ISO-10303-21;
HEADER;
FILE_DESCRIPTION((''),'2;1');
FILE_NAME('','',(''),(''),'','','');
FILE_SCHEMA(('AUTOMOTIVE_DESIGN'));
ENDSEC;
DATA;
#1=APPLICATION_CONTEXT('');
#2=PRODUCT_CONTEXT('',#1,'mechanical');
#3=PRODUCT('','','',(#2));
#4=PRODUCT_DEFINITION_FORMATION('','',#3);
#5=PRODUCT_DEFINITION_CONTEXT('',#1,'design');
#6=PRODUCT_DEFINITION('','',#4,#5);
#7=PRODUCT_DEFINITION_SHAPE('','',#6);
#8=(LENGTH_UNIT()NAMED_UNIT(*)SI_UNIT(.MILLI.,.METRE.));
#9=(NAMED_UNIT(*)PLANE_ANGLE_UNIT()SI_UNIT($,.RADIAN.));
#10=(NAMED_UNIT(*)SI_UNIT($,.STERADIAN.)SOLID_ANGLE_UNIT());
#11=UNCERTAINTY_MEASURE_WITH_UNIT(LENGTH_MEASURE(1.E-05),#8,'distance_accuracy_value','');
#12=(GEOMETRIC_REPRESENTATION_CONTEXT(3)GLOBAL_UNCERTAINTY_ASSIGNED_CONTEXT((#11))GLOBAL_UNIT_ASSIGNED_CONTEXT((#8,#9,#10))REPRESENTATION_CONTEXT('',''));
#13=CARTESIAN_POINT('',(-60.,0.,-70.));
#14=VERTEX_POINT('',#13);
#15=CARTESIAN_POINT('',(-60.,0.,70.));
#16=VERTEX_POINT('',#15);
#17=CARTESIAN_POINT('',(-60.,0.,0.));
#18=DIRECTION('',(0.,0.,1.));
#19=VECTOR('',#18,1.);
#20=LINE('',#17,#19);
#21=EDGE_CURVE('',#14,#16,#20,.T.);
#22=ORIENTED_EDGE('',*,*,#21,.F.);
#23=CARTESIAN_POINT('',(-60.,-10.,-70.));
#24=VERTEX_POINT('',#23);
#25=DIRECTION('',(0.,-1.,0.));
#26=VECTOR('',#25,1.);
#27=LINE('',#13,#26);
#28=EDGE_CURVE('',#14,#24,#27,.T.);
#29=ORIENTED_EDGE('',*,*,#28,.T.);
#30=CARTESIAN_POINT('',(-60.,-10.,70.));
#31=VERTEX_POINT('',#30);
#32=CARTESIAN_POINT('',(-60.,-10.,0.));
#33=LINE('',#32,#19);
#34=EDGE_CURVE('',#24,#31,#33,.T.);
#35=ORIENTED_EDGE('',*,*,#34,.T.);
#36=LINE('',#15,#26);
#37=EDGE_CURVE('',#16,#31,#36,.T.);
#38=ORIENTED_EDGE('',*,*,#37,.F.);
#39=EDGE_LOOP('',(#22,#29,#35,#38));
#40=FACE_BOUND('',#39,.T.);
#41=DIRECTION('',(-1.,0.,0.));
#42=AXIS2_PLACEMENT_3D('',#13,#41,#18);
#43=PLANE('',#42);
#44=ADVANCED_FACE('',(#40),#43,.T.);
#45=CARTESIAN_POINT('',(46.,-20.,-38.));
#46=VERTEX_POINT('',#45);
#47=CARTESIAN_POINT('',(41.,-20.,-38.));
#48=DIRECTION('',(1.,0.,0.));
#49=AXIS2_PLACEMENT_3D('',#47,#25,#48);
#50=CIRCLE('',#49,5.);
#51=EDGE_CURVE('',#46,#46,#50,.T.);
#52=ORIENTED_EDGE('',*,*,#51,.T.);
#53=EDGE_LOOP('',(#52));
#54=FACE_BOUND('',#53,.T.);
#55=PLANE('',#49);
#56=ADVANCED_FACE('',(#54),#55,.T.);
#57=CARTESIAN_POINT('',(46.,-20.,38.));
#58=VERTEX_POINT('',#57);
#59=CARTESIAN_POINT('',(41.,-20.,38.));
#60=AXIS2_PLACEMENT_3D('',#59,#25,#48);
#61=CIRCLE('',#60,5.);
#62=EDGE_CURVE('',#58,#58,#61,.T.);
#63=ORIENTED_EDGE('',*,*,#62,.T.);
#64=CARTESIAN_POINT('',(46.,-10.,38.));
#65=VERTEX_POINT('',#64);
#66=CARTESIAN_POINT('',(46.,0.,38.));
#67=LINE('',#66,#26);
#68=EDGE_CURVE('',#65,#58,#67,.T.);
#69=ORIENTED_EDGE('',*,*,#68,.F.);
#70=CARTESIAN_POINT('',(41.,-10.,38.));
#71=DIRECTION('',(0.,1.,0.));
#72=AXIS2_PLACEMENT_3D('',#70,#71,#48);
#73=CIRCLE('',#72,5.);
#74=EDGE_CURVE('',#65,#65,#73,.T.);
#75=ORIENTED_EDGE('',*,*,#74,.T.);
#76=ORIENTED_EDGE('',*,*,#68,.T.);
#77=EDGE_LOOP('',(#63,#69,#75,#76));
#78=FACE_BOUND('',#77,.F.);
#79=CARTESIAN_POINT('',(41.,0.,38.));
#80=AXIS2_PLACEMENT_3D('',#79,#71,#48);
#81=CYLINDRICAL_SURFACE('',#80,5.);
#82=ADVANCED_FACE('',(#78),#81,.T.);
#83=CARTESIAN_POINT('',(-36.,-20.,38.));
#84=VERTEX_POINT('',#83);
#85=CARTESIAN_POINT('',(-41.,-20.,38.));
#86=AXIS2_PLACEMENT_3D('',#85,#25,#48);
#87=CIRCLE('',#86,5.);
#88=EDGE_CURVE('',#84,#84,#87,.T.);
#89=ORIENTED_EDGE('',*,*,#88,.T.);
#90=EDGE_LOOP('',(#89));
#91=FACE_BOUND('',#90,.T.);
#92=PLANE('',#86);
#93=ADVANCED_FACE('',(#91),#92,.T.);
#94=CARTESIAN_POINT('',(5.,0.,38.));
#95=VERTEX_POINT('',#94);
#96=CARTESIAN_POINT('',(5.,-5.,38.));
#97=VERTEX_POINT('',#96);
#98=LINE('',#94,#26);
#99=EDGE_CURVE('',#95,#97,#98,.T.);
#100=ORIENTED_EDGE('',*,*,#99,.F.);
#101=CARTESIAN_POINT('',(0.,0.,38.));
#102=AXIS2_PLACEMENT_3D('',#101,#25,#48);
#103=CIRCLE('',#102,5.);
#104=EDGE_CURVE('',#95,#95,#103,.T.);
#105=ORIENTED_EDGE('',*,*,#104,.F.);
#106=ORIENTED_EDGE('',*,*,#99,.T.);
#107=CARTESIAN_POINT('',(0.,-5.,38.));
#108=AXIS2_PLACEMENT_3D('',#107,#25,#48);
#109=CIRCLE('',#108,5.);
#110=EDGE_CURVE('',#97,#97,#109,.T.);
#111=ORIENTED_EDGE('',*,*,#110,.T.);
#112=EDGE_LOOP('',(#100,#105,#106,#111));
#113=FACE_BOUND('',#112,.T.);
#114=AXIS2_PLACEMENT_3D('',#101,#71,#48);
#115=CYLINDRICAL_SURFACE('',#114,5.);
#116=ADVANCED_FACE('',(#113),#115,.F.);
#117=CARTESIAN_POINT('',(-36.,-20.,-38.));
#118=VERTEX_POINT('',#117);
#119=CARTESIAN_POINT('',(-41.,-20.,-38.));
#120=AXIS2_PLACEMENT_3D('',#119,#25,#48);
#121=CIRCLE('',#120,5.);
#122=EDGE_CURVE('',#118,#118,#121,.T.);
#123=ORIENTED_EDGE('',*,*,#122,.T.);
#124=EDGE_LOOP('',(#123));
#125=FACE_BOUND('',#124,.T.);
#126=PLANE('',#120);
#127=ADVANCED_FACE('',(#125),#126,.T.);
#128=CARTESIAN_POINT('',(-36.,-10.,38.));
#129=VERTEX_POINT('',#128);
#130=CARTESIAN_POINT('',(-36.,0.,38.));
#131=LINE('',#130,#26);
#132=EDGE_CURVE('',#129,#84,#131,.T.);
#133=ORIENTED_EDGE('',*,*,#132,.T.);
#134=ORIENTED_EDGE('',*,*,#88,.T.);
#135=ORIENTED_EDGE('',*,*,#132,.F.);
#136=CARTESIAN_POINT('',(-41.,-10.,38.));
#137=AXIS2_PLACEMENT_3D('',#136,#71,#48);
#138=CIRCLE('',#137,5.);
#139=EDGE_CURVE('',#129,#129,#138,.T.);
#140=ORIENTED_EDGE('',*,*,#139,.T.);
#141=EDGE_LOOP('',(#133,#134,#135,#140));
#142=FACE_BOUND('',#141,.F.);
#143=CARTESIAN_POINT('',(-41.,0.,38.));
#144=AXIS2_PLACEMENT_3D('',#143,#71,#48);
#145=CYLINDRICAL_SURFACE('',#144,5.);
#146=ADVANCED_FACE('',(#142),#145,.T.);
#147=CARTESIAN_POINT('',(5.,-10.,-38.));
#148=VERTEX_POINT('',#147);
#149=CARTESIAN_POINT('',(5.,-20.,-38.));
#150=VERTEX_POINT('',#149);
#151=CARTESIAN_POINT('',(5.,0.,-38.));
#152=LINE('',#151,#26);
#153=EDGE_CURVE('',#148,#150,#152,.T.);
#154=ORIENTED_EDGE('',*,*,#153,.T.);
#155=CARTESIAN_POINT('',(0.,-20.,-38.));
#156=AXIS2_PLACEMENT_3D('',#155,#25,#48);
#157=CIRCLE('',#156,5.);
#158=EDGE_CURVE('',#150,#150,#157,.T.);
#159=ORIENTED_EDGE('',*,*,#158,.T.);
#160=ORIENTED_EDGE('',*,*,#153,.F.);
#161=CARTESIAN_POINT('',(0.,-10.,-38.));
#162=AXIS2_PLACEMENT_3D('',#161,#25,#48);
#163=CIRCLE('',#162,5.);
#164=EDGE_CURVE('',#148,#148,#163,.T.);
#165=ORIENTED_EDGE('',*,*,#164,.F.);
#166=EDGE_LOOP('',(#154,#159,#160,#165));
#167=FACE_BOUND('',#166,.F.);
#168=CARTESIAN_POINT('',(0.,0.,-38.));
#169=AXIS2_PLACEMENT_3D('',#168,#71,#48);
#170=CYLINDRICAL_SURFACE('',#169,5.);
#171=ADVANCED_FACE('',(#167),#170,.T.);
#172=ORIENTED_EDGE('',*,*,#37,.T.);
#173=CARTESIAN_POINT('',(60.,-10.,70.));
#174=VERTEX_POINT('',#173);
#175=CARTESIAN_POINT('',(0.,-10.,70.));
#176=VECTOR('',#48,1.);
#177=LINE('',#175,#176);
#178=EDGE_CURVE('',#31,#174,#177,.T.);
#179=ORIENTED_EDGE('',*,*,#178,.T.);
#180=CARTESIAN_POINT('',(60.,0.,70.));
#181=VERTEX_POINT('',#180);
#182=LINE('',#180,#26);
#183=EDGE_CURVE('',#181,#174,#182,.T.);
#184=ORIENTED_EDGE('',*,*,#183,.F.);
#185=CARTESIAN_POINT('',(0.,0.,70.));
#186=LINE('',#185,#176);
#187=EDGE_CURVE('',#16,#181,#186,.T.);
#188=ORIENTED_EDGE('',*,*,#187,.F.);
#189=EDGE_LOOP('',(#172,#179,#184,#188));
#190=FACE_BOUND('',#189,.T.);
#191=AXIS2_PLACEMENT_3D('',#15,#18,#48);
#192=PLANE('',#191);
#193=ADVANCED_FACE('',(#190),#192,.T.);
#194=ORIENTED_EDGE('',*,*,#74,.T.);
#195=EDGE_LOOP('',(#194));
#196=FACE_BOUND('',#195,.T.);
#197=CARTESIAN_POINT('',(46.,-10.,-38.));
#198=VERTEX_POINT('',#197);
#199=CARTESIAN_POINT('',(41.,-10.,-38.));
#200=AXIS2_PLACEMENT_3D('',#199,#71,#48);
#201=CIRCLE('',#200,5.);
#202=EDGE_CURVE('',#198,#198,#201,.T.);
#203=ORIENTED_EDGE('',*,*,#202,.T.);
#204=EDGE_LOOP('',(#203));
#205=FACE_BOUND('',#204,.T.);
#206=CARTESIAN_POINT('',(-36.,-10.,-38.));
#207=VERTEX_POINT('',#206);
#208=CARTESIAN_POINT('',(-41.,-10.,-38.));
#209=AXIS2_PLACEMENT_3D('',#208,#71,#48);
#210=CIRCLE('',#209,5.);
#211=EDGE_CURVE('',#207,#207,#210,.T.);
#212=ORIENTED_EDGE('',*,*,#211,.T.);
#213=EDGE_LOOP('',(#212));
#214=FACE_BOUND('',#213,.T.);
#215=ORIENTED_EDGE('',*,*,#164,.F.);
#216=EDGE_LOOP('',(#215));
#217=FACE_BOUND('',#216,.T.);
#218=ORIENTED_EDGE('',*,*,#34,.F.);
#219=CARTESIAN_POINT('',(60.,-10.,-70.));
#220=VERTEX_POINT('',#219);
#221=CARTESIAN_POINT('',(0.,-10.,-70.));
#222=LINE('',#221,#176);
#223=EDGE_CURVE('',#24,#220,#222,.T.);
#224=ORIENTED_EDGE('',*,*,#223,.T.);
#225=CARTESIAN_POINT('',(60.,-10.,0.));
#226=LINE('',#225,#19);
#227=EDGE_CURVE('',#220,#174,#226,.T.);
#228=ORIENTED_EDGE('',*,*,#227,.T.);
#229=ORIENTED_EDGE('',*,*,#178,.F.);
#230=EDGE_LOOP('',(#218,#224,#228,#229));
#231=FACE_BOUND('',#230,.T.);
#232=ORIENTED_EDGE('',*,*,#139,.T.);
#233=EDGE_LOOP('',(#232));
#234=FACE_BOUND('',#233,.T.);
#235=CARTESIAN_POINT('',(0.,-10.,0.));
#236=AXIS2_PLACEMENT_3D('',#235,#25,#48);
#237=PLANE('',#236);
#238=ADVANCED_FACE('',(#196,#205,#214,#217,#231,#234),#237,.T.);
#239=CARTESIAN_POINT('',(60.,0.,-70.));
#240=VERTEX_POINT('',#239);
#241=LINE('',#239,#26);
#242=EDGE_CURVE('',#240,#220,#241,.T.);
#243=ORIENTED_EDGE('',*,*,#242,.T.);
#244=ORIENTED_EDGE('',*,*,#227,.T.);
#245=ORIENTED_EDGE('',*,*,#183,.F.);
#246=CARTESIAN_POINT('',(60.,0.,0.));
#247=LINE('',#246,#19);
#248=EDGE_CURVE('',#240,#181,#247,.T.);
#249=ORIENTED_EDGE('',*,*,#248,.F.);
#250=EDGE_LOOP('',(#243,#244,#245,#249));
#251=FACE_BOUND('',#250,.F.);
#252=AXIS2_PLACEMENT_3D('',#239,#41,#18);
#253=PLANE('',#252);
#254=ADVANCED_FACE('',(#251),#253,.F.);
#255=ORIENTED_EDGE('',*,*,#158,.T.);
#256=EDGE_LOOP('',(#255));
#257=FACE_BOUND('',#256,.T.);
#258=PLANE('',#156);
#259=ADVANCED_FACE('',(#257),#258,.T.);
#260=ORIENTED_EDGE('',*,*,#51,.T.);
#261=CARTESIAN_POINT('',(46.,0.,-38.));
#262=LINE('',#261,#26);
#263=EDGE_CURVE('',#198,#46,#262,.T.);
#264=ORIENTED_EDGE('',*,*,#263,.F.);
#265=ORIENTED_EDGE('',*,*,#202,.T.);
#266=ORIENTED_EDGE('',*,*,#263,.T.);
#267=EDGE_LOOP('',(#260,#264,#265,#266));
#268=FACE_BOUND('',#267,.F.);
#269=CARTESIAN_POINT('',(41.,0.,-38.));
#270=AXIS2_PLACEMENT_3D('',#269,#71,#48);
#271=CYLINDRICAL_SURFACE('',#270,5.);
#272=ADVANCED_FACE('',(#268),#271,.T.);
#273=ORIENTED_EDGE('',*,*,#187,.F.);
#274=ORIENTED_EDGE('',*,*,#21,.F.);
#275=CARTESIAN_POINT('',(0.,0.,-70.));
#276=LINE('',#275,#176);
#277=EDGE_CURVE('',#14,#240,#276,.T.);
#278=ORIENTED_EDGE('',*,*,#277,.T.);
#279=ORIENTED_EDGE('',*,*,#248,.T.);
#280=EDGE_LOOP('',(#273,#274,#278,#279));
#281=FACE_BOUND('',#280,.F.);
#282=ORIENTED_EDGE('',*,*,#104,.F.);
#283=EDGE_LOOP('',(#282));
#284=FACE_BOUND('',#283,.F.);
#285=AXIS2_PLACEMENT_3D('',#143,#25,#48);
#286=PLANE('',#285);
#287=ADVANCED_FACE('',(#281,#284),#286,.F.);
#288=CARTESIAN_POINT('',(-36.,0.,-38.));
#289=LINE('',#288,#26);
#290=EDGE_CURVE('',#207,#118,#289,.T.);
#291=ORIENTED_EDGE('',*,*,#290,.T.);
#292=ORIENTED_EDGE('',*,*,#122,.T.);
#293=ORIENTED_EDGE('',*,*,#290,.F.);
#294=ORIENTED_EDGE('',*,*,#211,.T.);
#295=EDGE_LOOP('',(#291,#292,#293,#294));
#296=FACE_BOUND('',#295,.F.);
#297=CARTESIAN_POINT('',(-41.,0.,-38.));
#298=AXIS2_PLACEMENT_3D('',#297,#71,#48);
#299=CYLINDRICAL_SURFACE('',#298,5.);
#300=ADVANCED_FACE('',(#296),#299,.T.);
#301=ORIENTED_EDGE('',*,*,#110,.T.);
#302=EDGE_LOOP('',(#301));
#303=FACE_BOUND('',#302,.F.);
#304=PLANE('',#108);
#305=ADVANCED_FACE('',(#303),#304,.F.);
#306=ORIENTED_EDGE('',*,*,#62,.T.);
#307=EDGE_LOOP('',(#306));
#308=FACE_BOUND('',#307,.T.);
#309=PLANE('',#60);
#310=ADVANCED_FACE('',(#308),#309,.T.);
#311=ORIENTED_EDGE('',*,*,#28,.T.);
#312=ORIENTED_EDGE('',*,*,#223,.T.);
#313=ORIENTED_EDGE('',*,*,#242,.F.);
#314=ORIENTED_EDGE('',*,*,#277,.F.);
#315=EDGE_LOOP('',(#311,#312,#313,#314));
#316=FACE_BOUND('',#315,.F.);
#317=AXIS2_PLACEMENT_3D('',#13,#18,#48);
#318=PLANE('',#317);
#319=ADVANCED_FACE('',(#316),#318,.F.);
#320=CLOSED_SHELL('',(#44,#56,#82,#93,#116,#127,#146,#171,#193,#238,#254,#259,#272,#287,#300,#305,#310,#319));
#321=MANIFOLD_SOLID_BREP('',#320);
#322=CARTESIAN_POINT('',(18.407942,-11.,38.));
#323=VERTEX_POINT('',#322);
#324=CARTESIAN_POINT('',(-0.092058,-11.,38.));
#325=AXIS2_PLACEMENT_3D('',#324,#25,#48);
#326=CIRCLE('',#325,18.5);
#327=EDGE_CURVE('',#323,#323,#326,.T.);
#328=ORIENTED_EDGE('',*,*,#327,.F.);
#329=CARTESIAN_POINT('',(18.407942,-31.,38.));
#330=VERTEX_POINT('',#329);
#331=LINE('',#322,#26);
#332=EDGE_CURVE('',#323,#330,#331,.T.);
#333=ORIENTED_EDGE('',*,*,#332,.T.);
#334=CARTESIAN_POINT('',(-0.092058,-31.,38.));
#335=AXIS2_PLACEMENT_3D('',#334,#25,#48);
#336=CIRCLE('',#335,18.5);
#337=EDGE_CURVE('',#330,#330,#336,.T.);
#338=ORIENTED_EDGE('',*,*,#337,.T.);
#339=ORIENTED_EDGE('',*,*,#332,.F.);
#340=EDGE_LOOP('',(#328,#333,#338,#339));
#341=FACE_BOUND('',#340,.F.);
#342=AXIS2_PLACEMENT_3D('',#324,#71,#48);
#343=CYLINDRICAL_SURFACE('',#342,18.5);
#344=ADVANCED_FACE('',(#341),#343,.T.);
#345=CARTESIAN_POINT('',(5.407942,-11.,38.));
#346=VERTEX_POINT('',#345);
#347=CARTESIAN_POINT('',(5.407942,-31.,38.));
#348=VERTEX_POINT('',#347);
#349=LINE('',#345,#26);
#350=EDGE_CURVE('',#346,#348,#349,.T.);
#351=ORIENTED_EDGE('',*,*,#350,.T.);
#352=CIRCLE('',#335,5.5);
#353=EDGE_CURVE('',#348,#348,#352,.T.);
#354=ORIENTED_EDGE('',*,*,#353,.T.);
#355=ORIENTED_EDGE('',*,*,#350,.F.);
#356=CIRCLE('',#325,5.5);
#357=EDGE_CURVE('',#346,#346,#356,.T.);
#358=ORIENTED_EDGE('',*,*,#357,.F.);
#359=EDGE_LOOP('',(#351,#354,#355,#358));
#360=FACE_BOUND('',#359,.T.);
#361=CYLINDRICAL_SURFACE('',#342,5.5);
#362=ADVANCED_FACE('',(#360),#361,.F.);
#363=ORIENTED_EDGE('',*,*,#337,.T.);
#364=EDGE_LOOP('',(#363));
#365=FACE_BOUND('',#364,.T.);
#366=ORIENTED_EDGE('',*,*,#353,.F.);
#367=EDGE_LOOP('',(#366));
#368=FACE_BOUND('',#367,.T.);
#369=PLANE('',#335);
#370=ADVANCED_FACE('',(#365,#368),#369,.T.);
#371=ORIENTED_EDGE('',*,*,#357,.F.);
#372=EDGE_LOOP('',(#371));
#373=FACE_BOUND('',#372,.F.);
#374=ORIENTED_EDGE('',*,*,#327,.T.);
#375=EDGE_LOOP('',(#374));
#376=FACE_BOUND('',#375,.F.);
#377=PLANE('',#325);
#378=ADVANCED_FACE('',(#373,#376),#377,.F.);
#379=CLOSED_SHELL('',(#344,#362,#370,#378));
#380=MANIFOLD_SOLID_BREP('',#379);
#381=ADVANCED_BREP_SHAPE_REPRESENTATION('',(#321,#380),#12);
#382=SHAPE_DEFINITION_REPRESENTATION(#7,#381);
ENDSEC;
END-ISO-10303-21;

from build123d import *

# Parameters (mm, degrees)
F0_W     = 120
F0_H     = 140
F0_R     = 5
F1_DEPTH = 10
F2_DEPTH = 5
F3_DEPTH = 20
F5_R     = 18.5
F5_R_2   = 5.5
F6_DEPTH = 20


with BuildPart() as f1:
    # F0 (on Front) → F1 (new body)
    with BuildSketch(Plane.XZ):
        Rectangle(F0_W, F0_H)
        with Locations((-41, -38)):
            Circle(F0_R, mode=Mode.SUBTRACT)
        with Locations((0, -38)):
            Circle(F0_R, mode=Mode.SUBTRACT)
        with Locations((41, -38)):
            Circle(F0_R, mode=Mode.SUBTRACT)
        with Locations((-41, 38)):
            Circle(F0_R, mode=Mode.SUBTRACT)
        with Locations((0, 38)):
            Circle(F0_R, mode=Mode.SUBTRACT)
        with Locations((41, 38)):
            Circle(F0_R, mode=Mode.SUBTRACT)
        with Locations((0, 38)):
            Circle(F0_R)
        with Locations((-41, 38)):
            Circle(F0_R)
        with Locations((41, 38)):
            Circle(F0_R)
        with Locations((41, -38)):
            Circle(F0_R)
        with Locations((-41, -38)):
            Circle(F0_R)
    extrude(amount=F1_DEPTH)

    # F0 (on Front) → F2 (cut)
    with BuildSketch(Plane.XZ):
        with Locations((0, 38)):
            Circle(F0_R)
    extrude(amount=F2_DEPTH, mode=Mode.SUBTRACT)

    # F0 (on Front) → F3 (join)
    with BuildSketch(Plane.XZ):
        with Locations((-41, 38)):
            Circle(F0_R)
        with Locations((-41, -38)):
            Circle(F0_R)
        with Locations((41, -38)):
            Circle(F0_R)
        with Locations((41, 38)):
            Circle(F0_R)
        with Locations((0, -38)):
            Circle(F0_R)
    extrude(amount=F3_DEPTH)


with BuildPart() as f6:
    # F5 (on offset) → F6 (new body)
    with BuildSketch(Plane.XZ.offset(11)):
        with Locations((-0.0920584644, 38)):
            Circle(F5_R)
        with Locations((-0.0920584644, 38)):
            Circle(F5_R_2, mode=Mode.SUBTRACT)
    extrude(amount=F6_DEPTH)


solid = Compound([f1.part, f6.part])
